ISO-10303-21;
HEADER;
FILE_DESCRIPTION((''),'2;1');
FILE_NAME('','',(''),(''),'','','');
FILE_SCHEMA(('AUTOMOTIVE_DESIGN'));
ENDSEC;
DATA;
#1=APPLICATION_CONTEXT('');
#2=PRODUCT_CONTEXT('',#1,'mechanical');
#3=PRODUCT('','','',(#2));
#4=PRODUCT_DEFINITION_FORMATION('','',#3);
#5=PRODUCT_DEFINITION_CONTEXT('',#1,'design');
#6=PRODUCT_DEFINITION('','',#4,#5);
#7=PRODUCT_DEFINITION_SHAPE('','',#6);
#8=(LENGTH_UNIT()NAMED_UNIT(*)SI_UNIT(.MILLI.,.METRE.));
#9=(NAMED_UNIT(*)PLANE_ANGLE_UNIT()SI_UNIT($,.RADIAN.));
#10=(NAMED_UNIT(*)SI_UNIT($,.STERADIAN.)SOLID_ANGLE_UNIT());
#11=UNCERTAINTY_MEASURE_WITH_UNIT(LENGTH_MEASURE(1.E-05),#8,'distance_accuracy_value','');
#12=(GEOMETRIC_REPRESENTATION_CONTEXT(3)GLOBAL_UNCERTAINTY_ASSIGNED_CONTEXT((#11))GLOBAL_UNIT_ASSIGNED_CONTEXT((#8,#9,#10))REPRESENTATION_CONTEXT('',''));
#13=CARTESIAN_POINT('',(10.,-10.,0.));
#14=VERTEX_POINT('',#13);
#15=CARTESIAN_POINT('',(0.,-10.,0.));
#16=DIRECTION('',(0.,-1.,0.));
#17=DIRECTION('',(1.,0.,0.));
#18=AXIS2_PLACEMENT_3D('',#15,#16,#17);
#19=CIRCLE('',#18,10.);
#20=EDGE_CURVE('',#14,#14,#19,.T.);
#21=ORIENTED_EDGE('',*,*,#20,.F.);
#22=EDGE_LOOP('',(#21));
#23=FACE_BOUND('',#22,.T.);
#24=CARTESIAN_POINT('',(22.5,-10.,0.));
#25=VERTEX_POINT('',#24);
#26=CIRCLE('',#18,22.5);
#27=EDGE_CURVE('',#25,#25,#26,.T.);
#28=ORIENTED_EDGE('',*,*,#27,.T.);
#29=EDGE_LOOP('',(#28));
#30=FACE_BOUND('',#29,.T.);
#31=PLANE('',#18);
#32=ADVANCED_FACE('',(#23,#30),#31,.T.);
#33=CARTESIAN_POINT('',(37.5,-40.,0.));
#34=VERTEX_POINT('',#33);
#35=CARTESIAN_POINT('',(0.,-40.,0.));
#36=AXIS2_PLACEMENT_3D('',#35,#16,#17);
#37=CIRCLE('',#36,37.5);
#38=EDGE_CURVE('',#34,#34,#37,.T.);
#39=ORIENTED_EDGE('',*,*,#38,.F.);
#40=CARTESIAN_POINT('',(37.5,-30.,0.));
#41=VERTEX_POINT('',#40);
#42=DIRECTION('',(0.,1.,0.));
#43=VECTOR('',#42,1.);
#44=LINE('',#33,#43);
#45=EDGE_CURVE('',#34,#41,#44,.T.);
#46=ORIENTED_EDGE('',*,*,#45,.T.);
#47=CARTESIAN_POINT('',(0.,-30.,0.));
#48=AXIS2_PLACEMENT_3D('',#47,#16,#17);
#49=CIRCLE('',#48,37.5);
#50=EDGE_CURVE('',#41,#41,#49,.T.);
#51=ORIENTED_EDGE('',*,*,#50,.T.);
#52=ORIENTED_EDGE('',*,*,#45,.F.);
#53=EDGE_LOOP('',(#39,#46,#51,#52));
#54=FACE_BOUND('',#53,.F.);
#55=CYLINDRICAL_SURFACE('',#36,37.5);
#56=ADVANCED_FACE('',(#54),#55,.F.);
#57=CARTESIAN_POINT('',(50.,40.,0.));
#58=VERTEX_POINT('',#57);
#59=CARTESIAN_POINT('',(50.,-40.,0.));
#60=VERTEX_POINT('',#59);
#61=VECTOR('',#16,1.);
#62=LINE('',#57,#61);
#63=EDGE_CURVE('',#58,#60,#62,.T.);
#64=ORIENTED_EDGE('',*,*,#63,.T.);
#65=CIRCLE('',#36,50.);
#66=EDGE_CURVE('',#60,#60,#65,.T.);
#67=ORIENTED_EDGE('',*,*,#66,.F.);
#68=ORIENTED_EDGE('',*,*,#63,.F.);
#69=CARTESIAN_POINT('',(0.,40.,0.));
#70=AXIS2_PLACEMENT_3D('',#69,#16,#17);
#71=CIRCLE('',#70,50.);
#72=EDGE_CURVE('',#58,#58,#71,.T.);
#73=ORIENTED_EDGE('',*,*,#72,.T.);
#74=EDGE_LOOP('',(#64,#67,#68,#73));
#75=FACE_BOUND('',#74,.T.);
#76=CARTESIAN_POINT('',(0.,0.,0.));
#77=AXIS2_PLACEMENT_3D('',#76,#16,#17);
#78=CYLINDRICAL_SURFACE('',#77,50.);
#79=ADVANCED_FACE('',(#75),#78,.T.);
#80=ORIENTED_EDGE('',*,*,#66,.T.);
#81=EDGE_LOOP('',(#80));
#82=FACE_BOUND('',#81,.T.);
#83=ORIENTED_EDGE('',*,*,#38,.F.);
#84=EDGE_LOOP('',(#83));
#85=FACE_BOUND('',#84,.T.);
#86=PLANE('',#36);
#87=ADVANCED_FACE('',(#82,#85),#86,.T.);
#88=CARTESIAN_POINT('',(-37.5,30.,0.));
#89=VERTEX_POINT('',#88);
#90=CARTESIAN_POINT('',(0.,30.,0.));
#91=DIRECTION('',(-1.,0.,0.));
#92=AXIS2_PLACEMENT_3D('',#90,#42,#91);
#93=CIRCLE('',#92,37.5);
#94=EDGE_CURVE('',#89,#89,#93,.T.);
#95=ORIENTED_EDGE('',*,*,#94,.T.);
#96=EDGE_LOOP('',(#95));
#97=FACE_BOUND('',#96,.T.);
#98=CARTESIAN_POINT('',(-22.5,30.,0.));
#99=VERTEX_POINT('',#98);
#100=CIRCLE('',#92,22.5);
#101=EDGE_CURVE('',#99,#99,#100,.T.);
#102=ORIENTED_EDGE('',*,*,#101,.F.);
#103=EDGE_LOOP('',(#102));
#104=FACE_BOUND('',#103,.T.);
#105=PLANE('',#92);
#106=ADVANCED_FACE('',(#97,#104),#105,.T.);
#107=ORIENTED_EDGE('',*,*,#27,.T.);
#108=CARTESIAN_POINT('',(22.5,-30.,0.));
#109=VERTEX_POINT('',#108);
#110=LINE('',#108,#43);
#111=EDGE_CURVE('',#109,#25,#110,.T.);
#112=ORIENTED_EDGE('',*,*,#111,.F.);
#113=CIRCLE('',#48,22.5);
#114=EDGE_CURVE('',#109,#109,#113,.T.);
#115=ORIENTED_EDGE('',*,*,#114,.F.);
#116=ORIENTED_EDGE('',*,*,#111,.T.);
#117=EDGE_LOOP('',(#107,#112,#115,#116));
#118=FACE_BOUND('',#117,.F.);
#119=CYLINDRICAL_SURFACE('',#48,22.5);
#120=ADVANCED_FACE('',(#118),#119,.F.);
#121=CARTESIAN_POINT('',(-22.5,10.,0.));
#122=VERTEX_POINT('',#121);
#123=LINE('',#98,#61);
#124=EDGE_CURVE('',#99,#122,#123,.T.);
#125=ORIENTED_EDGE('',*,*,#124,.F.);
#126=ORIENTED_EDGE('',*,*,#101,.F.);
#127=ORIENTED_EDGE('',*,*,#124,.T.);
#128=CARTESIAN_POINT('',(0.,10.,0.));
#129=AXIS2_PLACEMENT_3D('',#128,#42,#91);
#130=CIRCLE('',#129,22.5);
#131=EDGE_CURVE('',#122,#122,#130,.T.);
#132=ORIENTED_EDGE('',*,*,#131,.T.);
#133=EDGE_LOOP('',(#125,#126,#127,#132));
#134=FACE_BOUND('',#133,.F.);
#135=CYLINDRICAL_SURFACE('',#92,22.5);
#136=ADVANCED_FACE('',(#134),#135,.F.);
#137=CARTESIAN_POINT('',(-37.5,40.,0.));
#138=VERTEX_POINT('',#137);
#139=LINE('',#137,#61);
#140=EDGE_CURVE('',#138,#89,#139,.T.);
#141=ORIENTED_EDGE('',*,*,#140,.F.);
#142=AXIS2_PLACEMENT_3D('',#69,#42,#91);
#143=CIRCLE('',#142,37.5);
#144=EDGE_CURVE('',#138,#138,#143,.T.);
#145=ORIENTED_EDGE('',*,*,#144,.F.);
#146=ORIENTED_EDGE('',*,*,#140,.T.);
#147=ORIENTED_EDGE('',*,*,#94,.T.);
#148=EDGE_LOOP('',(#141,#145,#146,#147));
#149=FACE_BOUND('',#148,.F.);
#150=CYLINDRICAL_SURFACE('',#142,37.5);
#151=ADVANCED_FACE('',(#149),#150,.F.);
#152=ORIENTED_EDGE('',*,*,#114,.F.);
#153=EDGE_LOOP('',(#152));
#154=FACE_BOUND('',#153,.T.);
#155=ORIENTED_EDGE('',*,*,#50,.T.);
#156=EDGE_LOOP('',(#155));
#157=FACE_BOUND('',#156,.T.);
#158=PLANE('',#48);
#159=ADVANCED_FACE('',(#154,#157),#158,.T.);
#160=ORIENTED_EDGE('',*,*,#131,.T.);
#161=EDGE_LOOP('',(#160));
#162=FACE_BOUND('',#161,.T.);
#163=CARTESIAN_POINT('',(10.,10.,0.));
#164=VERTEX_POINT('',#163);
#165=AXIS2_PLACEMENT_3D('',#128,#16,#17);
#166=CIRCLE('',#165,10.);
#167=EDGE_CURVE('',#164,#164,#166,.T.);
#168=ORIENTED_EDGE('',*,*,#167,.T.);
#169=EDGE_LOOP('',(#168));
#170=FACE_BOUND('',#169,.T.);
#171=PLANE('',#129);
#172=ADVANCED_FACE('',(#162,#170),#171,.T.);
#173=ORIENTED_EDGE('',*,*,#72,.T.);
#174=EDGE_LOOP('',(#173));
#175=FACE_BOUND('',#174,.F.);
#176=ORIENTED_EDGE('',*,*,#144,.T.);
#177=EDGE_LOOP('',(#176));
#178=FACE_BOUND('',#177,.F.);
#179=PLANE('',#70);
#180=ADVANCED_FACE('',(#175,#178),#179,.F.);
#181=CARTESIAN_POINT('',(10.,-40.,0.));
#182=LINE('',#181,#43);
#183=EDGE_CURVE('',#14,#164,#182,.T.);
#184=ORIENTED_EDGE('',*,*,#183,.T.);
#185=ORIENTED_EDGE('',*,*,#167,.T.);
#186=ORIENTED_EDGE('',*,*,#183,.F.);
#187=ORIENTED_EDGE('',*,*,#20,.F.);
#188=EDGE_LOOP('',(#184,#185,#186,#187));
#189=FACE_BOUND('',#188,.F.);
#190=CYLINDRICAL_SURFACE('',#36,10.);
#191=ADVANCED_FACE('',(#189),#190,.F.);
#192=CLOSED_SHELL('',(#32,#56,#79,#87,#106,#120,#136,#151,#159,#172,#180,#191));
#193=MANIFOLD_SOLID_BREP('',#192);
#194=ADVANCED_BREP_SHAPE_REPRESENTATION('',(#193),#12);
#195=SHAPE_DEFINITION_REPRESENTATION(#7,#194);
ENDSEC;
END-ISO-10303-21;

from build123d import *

# Parameters (mm, degrees)
F0_R      = 50
F1_DEPTH  = 40
F2_R      = 10
F3_DEPTH  = 80.001
F4_R      = 37.5
F5_DEPTH  = 10
F6_R      = 22.5
F7_DEPTH  = 20
F8_R      = 37.5
F9_DEPTH  = 10
F10_R     = 22.5
F11_DEPTH = 20


with BuildPart() as f1:
    # F0 (on Front) → F1 (new body, symmetric)
    with BuildSketch(Plane.XZ):
        Circle(F0_R)
    extrude(amount=F1_DEPTH, both=True)

    # F2 (on face) → F3 (cut, through all)
    with BuildSketch(Plane.XZ.offset(40)):
        Circle(F2_R)
    extrude(amount=-F3_DEPTH, mode=Mode.SUBTRACT)

    # F4 (on face) → F5 (cut)
    with BuildSketch(Plane(origin=(0, 40, 0), x_dir=(-1, 0, 0), z_dir=(0, 1, 0))):
        Circle(F4_R)
    extrude(amount=-F5_DEPTH, mode=Mode.SUBTRACT)

    # F6 (on face) → F7 (cut)
    with BuildSketch(Plane(origin=(0, 30, 0), x_dir=(-1, 0, 0), z_dir=(0, 1, 0))):
        Circle(F6_R)
    extrude(amount=-F7_DEPTH, mode=Mode.SUBTRACT)

    # F8 (on face) → F9 (cut)
    with BuildSketch(Plane.XZ.offset(40)):
        Circle(F8_R)
    extrude(amount=-F9_DEPTH, mode=Mode.SUBTRACT)

    # F10 (on face) → F11 (cut)
    with BuildSketch(Plane.XZ.offset(30)):
        Circle(F10_R)
    extrude(amount=-F11_DEPTH, mode=Mode.SUBTRACT)


solid = f1.part
